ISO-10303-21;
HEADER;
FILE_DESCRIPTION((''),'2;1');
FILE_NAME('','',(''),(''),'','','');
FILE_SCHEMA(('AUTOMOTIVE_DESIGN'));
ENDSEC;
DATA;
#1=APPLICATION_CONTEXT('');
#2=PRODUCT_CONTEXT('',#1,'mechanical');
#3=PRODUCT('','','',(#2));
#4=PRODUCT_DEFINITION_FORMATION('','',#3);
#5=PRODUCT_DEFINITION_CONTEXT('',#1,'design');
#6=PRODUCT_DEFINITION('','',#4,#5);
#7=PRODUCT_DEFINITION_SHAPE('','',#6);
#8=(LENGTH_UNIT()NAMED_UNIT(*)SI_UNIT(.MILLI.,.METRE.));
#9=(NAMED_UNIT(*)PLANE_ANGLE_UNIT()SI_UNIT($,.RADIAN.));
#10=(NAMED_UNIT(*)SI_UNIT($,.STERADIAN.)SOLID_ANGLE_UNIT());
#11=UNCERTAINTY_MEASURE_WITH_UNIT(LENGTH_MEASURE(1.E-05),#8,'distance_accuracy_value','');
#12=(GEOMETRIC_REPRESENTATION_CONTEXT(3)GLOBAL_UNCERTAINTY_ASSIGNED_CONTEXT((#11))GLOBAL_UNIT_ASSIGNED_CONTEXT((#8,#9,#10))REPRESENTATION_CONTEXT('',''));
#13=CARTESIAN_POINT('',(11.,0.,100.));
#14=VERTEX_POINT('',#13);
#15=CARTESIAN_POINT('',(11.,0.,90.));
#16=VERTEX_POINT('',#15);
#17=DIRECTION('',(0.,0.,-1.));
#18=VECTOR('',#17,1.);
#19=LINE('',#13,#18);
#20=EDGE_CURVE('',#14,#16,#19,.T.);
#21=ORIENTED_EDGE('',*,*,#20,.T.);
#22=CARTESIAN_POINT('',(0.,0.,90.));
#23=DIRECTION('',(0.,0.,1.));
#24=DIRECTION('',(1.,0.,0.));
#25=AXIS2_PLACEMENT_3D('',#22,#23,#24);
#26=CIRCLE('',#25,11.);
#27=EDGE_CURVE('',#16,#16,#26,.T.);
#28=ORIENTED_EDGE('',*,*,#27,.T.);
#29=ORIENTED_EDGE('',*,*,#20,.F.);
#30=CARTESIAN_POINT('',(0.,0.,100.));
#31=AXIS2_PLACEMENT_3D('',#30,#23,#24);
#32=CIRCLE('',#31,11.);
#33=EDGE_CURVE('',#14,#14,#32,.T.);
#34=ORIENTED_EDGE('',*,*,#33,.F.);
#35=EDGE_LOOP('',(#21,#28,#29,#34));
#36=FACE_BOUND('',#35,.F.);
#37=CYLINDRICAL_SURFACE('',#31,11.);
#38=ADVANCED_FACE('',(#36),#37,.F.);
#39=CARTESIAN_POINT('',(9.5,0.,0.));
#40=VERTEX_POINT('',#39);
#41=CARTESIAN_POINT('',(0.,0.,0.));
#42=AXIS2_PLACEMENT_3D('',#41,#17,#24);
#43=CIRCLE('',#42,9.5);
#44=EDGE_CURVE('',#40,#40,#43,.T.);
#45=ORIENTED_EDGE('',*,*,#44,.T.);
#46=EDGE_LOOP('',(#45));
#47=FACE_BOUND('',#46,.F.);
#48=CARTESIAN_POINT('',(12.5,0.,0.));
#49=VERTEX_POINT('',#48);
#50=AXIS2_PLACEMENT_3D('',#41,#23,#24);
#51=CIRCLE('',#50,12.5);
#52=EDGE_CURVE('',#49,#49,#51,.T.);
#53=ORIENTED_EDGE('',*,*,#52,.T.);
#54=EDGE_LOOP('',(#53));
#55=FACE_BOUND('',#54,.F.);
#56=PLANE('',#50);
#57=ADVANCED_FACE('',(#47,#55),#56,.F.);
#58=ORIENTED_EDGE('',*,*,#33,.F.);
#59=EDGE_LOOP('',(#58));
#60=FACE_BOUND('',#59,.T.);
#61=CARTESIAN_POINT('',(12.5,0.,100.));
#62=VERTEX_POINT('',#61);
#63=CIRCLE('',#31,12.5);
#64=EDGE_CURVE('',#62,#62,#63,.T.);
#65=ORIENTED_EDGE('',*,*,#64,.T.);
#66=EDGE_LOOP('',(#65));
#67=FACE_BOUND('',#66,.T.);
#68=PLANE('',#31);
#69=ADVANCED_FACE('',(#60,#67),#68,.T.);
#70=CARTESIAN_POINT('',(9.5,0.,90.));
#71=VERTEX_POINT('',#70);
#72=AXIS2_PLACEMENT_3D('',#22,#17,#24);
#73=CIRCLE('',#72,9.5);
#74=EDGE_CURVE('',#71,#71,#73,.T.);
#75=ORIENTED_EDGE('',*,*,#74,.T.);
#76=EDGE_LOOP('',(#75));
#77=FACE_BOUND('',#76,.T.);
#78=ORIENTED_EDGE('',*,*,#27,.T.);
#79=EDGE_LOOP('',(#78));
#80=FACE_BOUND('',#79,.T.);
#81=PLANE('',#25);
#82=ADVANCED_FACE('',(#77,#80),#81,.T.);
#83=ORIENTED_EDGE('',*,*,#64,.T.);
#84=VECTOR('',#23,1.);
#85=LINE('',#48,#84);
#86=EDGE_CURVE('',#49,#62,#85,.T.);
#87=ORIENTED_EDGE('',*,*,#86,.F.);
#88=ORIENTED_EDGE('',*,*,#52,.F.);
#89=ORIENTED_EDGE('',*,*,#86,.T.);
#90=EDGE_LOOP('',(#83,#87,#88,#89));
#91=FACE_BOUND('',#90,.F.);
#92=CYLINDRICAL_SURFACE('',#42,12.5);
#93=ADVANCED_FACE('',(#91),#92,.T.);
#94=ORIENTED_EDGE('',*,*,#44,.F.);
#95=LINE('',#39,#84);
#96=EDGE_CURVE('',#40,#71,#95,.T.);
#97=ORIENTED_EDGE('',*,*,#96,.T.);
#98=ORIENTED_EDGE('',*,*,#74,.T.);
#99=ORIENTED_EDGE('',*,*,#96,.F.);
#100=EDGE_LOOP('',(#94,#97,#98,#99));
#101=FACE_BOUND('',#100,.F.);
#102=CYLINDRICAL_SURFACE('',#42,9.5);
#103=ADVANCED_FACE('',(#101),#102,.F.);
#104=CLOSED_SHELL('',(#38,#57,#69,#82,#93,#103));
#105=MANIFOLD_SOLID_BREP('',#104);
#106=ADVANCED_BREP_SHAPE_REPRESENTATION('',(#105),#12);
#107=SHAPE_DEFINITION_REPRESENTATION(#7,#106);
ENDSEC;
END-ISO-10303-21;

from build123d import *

# Parameters (mm, degrees)
F0_R          = 12.5
F1_DEPTH      = 100
F2_R          = 9.5
F3_DEPTH      = 90
F3_DEPTH_BACK = 101.346
F4_R          = 11
F5_DEPTH      = 10
F5_DEPTH_BACK = 25.4


with BuildPart() as f1:
    # F0 (on Top) → F1 (new body)
    with BuildSketch(Plane.XY):
        Circle(F0_R)
    extrude(amount=F1_DEPTH)

    # F2 (on face) → F3 (cut, two sides)
    with BuildSketch(Plane(origin=(0, 0, 0), x_dir=(1, 0, 0), z_dir=(0, 0, -1))) as f3_sk:
        Circle(F2_R)
    extrude(amount=-F3_DEPTH, mode=Mode.SUBTRACT)
    extrude(f3_sk.sketch, amount=F3_DEPTH_BACK, mode=Mode.SUBTRACT)

    # F4 (on face) → F5 (cut, two sides)
    with BuildSketch(Plane.XY.offset(100)) as f5_sk:
        Circle(F4_R)
    extrude(amount=-F5_DEPTH, mode=Mode.SUBTRACT)
    extrude(f5_sk.sketch, amount=F5_DEPTH_BACK, mode=Mode.SUBTRACT)


solid = f1.part
